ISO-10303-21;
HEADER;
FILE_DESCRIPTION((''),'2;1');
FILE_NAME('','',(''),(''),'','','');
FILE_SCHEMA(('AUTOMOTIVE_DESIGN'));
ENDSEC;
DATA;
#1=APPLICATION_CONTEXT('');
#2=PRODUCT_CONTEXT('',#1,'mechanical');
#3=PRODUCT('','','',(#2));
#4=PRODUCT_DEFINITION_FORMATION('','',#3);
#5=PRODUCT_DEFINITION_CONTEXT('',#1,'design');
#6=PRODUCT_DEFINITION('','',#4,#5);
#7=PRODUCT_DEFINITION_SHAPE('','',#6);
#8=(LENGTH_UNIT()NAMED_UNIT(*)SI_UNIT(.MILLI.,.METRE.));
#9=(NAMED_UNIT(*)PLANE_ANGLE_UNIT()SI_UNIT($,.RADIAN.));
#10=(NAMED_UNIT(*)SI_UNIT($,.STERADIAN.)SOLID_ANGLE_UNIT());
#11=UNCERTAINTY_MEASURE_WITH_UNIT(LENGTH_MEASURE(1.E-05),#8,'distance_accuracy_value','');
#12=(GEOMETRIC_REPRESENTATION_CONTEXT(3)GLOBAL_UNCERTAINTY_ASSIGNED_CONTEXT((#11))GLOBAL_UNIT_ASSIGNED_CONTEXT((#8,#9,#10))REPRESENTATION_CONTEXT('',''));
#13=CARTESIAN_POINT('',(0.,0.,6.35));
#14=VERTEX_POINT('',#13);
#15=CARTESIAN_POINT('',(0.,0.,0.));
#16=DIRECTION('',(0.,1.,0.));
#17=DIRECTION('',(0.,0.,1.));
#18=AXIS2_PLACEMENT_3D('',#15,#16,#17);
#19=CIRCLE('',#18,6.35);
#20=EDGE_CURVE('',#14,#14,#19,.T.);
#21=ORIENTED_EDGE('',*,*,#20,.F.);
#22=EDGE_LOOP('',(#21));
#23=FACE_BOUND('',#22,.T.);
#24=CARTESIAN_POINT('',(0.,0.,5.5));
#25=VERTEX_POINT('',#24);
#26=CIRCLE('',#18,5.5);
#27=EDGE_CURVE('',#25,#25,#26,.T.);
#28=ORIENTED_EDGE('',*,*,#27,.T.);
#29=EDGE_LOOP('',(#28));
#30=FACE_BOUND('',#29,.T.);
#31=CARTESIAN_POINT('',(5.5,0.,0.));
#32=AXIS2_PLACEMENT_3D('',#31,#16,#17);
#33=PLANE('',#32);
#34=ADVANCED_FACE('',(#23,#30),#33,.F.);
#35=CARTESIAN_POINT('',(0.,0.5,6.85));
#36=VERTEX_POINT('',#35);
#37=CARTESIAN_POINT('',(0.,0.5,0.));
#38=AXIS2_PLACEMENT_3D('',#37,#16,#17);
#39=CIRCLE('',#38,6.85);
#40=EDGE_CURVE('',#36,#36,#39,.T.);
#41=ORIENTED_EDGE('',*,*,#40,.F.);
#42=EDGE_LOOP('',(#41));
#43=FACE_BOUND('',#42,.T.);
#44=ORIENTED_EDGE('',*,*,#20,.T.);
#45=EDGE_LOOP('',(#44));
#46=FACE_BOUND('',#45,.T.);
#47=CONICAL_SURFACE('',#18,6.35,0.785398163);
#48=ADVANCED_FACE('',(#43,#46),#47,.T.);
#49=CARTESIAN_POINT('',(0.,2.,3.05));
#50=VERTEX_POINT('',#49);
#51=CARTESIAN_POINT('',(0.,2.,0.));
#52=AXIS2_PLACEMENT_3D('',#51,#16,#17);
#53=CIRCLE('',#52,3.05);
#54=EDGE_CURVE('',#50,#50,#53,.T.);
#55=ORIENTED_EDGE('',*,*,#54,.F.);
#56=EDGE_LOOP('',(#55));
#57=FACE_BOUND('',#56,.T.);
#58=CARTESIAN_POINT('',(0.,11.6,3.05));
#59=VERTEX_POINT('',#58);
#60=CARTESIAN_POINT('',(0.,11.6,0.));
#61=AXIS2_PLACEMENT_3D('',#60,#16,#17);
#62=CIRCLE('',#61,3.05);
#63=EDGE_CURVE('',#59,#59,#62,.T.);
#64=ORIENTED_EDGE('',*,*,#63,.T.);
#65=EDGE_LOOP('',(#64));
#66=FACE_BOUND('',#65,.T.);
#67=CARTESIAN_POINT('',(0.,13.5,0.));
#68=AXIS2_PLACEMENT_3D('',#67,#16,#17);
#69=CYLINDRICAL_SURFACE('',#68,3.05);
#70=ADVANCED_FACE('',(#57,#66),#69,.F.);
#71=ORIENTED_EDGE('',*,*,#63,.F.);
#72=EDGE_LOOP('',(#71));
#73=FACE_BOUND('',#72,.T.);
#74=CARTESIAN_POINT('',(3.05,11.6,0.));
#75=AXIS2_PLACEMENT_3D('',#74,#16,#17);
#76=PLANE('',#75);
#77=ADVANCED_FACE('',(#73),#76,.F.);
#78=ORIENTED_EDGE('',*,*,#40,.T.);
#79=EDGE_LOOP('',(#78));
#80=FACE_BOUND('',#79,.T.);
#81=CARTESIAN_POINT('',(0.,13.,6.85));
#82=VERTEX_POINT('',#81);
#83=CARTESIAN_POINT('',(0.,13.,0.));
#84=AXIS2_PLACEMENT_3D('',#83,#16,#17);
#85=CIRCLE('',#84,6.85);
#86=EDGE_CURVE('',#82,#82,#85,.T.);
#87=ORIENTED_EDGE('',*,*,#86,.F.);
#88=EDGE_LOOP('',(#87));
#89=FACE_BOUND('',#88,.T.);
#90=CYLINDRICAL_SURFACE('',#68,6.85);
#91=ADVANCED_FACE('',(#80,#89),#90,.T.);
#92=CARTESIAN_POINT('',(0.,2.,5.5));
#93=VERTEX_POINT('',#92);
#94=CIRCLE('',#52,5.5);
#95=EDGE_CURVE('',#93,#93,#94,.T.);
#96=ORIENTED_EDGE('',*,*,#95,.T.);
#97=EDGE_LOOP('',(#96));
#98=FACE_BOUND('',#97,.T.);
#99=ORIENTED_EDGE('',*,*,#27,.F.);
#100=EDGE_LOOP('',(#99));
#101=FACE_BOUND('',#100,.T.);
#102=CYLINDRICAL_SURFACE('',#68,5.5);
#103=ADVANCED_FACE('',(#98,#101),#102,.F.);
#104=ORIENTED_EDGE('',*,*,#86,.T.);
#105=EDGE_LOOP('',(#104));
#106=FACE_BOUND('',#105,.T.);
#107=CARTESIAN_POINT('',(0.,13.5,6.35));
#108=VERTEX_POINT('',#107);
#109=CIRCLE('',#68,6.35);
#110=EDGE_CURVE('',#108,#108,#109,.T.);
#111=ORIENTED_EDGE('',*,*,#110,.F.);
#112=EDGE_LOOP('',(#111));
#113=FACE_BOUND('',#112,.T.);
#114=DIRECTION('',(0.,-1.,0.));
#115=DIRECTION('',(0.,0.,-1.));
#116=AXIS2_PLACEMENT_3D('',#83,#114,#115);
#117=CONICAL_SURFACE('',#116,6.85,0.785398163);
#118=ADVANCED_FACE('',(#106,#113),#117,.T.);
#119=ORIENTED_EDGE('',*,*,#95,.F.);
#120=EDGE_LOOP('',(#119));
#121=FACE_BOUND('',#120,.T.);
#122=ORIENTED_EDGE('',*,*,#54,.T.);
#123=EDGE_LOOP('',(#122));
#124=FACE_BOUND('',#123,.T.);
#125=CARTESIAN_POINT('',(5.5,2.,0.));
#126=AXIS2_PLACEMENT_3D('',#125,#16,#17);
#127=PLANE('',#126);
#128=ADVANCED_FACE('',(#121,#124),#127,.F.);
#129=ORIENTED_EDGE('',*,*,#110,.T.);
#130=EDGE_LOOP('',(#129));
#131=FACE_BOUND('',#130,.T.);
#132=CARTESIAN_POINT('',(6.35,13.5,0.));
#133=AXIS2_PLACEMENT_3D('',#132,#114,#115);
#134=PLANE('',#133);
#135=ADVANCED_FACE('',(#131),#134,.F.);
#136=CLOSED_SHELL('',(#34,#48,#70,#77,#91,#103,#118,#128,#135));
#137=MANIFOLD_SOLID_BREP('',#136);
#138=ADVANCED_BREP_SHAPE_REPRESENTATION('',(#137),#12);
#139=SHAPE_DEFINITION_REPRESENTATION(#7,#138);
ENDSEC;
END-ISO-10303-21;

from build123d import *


with BuildPart() as part:
    # ｽｹｯﾁ1 → 回転1 (revolve)
    with BuildSketch(Plane.XY, mode=Mode.PRIVATE) as revolve_1_sk:
        Polygon((5.5, 0), (6.35, 0), (6.85, 0.5), (6.85, 13), (6.35, 13.5), (0, 13.5), (0, 11.6), (3.05, 11.6), (3.05, 2), (5.5, 2), align=None)
    revolve(revolve_1_sk.sketch.rotate(Axis((0, 13.5, 0), (0, -1, 0)), 90), axis=Axis((0, 13.5, 0), (0, -1, 0)))


solid = part.part
